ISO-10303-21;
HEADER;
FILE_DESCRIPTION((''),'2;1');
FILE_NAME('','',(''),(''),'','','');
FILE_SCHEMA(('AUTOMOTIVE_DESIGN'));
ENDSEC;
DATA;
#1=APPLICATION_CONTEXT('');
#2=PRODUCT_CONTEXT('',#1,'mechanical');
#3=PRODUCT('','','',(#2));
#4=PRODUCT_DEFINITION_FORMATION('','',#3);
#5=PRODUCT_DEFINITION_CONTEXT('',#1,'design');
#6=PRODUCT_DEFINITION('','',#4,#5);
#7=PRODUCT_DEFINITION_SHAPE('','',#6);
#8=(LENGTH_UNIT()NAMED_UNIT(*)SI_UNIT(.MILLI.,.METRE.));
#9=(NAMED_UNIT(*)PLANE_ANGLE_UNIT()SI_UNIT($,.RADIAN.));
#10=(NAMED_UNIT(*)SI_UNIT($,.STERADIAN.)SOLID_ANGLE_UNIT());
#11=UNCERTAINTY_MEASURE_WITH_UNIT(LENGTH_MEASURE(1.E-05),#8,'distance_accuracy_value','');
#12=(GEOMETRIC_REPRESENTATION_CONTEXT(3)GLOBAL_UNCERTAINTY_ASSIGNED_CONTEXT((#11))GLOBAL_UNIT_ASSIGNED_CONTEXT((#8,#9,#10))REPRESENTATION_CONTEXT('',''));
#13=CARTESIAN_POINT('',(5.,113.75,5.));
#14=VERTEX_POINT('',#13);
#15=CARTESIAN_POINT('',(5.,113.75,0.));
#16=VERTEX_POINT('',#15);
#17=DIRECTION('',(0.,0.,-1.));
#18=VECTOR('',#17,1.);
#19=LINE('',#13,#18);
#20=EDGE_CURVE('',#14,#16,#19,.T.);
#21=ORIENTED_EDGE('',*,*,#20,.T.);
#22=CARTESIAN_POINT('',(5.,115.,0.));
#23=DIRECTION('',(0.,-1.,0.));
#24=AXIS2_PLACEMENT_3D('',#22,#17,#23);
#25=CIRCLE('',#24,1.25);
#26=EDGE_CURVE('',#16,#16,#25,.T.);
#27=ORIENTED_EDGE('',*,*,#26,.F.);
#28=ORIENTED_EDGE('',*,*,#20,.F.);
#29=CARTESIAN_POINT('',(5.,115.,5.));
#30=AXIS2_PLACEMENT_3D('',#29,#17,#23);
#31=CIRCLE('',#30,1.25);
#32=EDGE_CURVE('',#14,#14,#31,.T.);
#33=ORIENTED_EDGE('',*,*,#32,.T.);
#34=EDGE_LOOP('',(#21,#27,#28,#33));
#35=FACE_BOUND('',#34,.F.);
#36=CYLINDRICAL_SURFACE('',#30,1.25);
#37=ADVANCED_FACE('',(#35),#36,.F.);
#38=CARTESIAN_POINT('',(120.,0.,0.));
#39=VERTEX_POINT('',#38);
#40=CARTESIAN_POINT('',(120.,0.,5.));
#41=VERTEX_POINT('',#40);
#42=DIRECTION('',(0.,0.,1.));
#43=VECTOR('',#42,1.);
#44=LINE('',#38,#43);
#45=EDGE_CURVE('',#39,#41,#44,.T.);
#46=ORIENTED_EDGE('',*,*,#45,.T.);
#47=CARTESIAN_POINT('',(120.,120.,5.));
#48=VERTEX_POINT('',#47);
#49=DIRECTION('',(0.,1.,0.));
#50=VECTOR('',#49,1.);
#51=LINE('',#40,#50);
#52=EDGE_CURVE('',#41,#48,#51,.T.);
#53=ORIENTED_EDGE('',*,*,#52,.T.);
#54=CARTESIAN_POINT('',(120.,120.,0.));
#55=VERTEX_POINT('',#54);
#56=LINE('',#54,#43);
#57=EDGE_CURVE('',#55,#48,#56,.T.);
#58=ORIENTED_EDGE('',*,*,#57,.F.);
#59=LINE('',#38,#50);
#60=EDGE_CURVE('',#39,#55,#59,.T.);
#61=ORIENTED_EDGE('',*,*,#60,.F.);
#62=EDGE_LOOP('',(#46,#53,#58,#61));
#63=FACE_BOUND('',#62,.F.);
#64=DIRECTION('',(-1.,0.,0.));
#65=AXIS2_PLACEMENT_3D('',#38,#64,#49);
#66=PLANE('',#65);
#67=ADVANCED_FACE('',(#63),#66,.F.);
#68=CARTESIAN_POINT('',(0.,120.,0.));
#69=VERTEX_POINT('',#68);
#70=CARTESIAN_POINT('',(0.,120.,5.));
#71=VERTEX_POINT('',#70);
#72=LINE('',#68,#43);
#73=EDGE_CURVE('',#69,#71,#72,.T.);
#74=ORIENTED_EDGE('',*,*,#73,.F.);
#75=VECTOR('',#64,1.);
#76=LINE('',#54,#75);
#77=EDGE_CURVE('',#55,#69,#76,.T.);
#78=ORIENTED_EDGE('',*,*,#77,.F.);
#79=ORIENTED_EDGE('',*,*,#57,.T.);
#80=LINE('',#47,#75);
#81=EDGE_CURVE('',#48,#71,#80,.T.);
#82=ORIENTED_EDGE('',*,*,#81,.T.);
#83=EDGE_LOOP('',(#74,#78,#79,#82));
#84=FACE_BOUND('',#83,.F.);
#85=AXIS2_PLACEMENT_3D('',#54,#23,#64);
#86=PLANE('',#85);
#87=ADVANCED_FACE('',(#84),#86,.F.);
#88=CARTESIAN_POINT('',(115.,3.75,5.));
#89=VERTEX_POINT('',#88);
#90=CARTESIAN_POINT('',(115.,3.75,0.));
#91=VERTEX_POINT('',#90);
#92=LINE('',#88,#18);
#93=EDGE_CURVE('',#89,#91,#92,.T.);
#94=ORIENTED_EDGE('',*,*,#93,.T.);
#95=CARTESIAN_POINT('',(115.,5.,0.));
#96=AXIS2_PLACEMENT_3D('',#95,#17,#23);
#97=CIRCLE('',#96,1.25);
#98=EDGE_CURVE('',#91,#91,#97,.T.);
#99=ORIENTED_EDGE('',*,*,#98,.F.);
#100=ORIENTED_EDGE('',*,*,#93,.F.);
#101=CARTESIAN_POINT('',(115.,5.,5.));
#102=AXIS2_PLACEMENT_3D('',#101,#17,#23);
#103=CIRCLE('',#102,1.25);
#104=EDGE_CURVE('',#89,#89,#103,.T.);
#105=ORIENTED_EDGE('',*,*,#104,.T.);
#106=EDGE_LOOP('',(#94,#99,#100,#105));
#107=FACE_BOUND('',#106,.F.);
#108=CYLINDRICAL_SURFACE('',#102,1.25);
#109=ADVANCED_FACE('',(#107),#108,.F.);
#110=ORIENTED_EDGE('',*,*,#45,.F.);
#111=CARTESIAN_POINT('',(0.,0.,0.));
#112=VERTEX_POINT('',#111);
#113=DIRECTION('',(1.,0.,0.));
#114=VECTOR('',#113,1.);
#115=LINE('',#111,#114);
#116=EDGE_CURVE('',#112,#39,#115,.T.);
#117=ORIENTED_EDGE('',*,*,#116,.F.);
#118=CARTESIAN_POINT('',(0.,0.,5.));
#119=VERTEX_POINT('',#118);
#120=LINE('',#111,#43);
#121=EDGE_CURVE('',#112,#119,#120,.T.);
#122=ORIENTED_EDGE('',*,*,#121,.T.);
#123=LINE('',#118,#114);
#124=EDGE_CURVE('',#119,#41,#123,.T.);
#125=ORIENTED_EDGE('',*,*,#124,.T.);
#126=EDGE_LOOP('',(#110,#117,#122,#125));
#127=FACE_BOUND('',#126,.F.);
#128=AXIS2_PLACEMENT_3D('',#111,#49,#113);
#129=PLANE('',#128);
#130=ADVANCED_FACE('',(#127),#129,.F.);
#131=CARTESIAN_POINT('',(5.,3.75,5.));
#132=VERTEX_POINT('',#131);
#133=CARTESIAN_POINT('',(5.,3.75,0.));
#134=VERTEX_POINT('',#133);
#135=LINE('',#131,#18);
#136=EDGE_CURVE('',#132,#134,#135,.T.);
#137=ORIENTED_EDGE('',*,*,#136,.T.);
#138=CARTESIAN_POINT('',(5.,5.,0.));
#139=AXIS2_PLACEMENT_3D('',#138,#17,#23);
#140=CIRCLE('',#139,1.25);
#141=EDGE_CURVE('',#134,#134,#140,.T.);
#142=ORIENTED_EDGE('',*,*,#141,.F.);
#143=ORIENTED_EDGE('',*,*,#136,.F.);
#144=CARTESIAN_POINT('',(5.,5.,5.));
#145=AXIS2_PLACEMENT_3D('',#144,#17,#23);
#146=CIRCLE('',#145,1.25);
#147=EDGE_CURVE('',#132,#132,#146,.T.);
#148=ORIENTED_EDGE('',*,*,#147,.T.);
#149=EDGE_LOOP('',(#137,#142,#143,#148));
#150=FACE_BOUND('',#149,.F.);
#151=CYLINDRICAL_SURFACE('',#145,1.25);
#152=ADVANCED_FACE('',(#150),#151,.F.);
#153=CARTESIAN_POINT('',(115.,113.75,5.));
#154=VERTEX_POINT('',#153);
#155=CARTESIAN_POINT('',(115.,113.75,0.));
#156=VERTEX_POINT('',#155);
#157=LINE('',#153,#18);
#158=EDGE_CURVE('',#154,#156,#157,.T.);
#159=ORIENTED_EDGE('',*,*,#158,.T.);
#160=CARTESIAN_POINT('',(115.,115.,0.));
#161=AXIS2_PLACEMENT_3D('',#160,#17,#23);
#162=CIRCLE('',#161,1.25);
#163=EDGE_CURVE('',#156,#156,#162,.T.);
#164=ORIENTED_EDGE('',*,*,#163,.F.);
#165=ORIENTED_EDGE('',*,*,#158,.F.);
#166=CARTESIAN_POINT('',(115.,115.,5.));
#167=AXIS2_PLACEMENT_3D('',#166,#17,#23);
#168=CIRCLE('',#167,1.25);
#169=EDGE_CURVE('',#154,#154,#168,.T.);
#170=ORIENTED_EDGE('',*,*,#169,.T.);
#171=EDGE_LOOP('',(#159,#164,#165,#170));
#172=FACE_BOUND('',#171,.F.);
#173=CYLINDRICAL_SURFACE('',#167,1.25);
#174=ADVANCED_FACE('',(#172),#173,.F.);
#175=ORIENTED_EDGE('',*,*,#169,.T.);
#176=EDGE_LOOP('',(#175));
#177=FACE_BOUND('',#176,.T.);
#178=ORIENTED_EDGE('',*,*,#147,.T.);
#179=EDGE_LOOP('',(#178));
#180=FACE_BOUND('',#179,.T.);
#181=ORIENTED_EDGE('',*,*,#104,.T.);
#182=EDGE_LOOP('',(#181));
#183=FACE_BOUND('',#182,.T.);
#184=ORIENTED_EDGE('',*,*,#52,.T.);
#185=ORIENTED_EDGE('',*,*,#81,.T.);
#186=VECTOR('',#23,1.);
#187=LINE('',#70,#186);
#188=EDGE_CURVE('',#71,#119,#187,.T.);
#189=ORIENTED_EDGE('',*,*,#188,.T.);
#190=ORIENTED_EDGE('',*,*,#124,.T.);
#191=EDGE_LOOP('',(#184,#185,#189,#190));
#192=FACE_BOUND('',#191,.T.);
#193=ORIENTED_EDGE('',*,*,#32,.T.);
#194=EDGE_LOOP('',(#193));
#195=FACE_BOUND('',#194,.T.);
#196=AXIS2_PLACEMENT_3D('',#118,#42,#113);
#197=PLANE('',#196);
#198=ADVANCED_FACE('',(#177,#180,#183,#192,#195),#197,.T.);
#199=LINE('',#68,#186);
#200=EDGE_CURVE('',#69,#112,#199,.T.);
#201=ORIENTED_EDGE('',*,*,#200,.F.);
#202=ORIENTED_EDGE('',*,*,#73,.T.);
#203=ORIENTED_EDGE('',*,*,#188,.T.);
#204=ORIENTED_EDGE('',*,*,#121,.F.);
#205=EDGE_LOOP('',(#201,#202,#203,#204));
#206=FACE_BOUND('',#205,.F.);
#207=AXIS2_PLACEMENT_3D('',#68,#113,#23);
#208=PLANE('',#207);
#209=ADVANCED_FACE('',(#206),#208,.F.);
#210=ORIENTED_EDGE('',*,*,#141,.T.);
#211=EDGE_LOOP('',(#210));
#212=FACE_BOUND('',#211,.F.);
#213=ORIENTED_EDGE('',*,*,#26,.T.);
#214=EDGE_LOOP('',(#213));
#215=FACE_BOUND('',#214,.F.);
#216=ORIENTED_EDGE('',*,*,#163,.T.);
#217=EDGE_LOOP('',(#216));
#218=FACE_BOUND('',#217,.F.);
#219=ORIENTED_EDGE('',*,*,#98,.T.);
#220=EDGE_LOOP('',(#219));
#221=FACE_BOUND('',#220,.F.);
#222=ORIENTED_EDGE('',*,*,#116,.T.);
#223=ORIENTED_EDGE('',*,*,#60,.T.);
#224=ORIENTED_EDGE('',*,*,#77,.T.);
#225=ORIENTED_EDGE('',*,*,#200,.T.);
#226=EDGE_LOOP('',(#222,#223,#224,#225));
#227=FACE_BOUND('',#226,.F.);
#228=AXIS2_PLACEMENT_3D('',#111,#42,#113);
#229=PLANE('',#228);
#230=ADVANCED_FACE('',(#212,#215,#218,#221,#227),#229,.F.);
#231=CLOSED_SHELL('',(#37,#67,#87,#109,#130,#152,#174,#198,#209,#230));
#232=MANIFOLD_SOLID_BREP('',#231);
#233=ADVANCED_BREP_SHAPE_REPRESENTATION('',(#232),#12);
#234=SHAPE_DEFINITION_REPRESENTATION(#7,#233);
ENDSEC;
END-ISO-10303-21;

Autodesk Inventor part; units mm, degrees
ref_plane "YZ Plane" through (0, 0, 0) normal (1, 0, 0) x (0, 1, 0)
ref_plane "XZ Plane" through (0, 0, 0) normal (0, 1, 0) x (-1, 0, 0)
ref_plane "XY Plane" through (0, 0, 0) normal (0, 0, 1) x (1, 0, 0)
sketch "Sketch1" plane through (0, 0, 0) normal (0, 0, 1) x (1, 0, 0)
  line L0 (0, 0) -> (120, 0)
  line L1 (120, 0) -> (120, 120)
  line L2 (120, 120) -> (0, 120)
  line L3 (0, 120) -> (0, 0)
  dimension "d0" = 120
  dimension "d1" = 120
  dimension "d2" = 120
extrude "Extrusion1" add sketch "Sketch1" along normal blind 5
sketch "Sketch3" plane through (0, 0, 5) normal (0, 0, 1) x (1, 0, 0)
  line L0 (120, 120) -> (0, 120) projected
  line L1 (0, 120) -> (5, 120)
  line L2 (5, 120) -> (5, 115)
  point P0 (0, 0)
  dimension "d7" = 5
  dimension "d8" = 5
hole "Hole1" at (5, 115, 5) direction (0, 0, -1) diameter 2.5 depth 38.1 tip angle 118
sketch "Sketch4" plane through (0, 0, 5) normal (0, 0, 1) x (1, 0, 0)
  line L0 (0, 120) -> (0, 0) projected
  line L1 (0, 0) -> (5, 0)
  line L2 (0, 0) -> (120, 0) projected
  line L3 (5, 0) -> (0, 0)
  line L4 (0, 0) -> (0, 5)
  line L5 (0, 5) -> (5, 5)
  dimension "d16" = 5
  dimension "d17" = 5
  dimension "d18" = 5
  dimension "d19" = 5
hole "Hole2" at (5, 5, 5) direction (0, 0, -1) diameter 2.5 depth 38.1 tip angle 118
sketch "Sketch8" plane through (0, 0, 5) normal (0, 0, 1) x (1, 0, 0)
  point P0 (0, 0)
sketch "Sketch9" plane through (0, 0, 5) normal (0, 0, 1) x (1, 0, 0)
  line L0 (0, 0) -> (120, 0) projected
  line L1 (120, 0) -> (120, 5)
  line L2 (120, 0) -> (120, 120) projected
  line L3 (120, 5) -> (115, 5)
  dimension "d33" = 5
  dimension "d34" = 5
hole "Hole3" at (115, 5, 5) direction (0, 0, -1) diameter 2.5 depth 38.1 tip angle 118
sketch "Sketch10" plane through (0, 0, 5) normal (0, 0, 1) x (1, 0, 0)
  line L0 (120, 120) -> (0, 120) projected
  line L1 (120, 120) -> (120, 115)
  line L2 (120, 0) -> (120, 120) projected
  line L3 (120, 115) -> (115, 115)
  point P0 (0, 0)
  dimension "d42" = 5
  dimension "d43" = 5
hole "Hole4" at (115, 115, 5) direction (0, 0, -1) diameter 2.5 depth 38.1 tip angle 118
properties part number "3d_enclosure_2_19_top_1"
